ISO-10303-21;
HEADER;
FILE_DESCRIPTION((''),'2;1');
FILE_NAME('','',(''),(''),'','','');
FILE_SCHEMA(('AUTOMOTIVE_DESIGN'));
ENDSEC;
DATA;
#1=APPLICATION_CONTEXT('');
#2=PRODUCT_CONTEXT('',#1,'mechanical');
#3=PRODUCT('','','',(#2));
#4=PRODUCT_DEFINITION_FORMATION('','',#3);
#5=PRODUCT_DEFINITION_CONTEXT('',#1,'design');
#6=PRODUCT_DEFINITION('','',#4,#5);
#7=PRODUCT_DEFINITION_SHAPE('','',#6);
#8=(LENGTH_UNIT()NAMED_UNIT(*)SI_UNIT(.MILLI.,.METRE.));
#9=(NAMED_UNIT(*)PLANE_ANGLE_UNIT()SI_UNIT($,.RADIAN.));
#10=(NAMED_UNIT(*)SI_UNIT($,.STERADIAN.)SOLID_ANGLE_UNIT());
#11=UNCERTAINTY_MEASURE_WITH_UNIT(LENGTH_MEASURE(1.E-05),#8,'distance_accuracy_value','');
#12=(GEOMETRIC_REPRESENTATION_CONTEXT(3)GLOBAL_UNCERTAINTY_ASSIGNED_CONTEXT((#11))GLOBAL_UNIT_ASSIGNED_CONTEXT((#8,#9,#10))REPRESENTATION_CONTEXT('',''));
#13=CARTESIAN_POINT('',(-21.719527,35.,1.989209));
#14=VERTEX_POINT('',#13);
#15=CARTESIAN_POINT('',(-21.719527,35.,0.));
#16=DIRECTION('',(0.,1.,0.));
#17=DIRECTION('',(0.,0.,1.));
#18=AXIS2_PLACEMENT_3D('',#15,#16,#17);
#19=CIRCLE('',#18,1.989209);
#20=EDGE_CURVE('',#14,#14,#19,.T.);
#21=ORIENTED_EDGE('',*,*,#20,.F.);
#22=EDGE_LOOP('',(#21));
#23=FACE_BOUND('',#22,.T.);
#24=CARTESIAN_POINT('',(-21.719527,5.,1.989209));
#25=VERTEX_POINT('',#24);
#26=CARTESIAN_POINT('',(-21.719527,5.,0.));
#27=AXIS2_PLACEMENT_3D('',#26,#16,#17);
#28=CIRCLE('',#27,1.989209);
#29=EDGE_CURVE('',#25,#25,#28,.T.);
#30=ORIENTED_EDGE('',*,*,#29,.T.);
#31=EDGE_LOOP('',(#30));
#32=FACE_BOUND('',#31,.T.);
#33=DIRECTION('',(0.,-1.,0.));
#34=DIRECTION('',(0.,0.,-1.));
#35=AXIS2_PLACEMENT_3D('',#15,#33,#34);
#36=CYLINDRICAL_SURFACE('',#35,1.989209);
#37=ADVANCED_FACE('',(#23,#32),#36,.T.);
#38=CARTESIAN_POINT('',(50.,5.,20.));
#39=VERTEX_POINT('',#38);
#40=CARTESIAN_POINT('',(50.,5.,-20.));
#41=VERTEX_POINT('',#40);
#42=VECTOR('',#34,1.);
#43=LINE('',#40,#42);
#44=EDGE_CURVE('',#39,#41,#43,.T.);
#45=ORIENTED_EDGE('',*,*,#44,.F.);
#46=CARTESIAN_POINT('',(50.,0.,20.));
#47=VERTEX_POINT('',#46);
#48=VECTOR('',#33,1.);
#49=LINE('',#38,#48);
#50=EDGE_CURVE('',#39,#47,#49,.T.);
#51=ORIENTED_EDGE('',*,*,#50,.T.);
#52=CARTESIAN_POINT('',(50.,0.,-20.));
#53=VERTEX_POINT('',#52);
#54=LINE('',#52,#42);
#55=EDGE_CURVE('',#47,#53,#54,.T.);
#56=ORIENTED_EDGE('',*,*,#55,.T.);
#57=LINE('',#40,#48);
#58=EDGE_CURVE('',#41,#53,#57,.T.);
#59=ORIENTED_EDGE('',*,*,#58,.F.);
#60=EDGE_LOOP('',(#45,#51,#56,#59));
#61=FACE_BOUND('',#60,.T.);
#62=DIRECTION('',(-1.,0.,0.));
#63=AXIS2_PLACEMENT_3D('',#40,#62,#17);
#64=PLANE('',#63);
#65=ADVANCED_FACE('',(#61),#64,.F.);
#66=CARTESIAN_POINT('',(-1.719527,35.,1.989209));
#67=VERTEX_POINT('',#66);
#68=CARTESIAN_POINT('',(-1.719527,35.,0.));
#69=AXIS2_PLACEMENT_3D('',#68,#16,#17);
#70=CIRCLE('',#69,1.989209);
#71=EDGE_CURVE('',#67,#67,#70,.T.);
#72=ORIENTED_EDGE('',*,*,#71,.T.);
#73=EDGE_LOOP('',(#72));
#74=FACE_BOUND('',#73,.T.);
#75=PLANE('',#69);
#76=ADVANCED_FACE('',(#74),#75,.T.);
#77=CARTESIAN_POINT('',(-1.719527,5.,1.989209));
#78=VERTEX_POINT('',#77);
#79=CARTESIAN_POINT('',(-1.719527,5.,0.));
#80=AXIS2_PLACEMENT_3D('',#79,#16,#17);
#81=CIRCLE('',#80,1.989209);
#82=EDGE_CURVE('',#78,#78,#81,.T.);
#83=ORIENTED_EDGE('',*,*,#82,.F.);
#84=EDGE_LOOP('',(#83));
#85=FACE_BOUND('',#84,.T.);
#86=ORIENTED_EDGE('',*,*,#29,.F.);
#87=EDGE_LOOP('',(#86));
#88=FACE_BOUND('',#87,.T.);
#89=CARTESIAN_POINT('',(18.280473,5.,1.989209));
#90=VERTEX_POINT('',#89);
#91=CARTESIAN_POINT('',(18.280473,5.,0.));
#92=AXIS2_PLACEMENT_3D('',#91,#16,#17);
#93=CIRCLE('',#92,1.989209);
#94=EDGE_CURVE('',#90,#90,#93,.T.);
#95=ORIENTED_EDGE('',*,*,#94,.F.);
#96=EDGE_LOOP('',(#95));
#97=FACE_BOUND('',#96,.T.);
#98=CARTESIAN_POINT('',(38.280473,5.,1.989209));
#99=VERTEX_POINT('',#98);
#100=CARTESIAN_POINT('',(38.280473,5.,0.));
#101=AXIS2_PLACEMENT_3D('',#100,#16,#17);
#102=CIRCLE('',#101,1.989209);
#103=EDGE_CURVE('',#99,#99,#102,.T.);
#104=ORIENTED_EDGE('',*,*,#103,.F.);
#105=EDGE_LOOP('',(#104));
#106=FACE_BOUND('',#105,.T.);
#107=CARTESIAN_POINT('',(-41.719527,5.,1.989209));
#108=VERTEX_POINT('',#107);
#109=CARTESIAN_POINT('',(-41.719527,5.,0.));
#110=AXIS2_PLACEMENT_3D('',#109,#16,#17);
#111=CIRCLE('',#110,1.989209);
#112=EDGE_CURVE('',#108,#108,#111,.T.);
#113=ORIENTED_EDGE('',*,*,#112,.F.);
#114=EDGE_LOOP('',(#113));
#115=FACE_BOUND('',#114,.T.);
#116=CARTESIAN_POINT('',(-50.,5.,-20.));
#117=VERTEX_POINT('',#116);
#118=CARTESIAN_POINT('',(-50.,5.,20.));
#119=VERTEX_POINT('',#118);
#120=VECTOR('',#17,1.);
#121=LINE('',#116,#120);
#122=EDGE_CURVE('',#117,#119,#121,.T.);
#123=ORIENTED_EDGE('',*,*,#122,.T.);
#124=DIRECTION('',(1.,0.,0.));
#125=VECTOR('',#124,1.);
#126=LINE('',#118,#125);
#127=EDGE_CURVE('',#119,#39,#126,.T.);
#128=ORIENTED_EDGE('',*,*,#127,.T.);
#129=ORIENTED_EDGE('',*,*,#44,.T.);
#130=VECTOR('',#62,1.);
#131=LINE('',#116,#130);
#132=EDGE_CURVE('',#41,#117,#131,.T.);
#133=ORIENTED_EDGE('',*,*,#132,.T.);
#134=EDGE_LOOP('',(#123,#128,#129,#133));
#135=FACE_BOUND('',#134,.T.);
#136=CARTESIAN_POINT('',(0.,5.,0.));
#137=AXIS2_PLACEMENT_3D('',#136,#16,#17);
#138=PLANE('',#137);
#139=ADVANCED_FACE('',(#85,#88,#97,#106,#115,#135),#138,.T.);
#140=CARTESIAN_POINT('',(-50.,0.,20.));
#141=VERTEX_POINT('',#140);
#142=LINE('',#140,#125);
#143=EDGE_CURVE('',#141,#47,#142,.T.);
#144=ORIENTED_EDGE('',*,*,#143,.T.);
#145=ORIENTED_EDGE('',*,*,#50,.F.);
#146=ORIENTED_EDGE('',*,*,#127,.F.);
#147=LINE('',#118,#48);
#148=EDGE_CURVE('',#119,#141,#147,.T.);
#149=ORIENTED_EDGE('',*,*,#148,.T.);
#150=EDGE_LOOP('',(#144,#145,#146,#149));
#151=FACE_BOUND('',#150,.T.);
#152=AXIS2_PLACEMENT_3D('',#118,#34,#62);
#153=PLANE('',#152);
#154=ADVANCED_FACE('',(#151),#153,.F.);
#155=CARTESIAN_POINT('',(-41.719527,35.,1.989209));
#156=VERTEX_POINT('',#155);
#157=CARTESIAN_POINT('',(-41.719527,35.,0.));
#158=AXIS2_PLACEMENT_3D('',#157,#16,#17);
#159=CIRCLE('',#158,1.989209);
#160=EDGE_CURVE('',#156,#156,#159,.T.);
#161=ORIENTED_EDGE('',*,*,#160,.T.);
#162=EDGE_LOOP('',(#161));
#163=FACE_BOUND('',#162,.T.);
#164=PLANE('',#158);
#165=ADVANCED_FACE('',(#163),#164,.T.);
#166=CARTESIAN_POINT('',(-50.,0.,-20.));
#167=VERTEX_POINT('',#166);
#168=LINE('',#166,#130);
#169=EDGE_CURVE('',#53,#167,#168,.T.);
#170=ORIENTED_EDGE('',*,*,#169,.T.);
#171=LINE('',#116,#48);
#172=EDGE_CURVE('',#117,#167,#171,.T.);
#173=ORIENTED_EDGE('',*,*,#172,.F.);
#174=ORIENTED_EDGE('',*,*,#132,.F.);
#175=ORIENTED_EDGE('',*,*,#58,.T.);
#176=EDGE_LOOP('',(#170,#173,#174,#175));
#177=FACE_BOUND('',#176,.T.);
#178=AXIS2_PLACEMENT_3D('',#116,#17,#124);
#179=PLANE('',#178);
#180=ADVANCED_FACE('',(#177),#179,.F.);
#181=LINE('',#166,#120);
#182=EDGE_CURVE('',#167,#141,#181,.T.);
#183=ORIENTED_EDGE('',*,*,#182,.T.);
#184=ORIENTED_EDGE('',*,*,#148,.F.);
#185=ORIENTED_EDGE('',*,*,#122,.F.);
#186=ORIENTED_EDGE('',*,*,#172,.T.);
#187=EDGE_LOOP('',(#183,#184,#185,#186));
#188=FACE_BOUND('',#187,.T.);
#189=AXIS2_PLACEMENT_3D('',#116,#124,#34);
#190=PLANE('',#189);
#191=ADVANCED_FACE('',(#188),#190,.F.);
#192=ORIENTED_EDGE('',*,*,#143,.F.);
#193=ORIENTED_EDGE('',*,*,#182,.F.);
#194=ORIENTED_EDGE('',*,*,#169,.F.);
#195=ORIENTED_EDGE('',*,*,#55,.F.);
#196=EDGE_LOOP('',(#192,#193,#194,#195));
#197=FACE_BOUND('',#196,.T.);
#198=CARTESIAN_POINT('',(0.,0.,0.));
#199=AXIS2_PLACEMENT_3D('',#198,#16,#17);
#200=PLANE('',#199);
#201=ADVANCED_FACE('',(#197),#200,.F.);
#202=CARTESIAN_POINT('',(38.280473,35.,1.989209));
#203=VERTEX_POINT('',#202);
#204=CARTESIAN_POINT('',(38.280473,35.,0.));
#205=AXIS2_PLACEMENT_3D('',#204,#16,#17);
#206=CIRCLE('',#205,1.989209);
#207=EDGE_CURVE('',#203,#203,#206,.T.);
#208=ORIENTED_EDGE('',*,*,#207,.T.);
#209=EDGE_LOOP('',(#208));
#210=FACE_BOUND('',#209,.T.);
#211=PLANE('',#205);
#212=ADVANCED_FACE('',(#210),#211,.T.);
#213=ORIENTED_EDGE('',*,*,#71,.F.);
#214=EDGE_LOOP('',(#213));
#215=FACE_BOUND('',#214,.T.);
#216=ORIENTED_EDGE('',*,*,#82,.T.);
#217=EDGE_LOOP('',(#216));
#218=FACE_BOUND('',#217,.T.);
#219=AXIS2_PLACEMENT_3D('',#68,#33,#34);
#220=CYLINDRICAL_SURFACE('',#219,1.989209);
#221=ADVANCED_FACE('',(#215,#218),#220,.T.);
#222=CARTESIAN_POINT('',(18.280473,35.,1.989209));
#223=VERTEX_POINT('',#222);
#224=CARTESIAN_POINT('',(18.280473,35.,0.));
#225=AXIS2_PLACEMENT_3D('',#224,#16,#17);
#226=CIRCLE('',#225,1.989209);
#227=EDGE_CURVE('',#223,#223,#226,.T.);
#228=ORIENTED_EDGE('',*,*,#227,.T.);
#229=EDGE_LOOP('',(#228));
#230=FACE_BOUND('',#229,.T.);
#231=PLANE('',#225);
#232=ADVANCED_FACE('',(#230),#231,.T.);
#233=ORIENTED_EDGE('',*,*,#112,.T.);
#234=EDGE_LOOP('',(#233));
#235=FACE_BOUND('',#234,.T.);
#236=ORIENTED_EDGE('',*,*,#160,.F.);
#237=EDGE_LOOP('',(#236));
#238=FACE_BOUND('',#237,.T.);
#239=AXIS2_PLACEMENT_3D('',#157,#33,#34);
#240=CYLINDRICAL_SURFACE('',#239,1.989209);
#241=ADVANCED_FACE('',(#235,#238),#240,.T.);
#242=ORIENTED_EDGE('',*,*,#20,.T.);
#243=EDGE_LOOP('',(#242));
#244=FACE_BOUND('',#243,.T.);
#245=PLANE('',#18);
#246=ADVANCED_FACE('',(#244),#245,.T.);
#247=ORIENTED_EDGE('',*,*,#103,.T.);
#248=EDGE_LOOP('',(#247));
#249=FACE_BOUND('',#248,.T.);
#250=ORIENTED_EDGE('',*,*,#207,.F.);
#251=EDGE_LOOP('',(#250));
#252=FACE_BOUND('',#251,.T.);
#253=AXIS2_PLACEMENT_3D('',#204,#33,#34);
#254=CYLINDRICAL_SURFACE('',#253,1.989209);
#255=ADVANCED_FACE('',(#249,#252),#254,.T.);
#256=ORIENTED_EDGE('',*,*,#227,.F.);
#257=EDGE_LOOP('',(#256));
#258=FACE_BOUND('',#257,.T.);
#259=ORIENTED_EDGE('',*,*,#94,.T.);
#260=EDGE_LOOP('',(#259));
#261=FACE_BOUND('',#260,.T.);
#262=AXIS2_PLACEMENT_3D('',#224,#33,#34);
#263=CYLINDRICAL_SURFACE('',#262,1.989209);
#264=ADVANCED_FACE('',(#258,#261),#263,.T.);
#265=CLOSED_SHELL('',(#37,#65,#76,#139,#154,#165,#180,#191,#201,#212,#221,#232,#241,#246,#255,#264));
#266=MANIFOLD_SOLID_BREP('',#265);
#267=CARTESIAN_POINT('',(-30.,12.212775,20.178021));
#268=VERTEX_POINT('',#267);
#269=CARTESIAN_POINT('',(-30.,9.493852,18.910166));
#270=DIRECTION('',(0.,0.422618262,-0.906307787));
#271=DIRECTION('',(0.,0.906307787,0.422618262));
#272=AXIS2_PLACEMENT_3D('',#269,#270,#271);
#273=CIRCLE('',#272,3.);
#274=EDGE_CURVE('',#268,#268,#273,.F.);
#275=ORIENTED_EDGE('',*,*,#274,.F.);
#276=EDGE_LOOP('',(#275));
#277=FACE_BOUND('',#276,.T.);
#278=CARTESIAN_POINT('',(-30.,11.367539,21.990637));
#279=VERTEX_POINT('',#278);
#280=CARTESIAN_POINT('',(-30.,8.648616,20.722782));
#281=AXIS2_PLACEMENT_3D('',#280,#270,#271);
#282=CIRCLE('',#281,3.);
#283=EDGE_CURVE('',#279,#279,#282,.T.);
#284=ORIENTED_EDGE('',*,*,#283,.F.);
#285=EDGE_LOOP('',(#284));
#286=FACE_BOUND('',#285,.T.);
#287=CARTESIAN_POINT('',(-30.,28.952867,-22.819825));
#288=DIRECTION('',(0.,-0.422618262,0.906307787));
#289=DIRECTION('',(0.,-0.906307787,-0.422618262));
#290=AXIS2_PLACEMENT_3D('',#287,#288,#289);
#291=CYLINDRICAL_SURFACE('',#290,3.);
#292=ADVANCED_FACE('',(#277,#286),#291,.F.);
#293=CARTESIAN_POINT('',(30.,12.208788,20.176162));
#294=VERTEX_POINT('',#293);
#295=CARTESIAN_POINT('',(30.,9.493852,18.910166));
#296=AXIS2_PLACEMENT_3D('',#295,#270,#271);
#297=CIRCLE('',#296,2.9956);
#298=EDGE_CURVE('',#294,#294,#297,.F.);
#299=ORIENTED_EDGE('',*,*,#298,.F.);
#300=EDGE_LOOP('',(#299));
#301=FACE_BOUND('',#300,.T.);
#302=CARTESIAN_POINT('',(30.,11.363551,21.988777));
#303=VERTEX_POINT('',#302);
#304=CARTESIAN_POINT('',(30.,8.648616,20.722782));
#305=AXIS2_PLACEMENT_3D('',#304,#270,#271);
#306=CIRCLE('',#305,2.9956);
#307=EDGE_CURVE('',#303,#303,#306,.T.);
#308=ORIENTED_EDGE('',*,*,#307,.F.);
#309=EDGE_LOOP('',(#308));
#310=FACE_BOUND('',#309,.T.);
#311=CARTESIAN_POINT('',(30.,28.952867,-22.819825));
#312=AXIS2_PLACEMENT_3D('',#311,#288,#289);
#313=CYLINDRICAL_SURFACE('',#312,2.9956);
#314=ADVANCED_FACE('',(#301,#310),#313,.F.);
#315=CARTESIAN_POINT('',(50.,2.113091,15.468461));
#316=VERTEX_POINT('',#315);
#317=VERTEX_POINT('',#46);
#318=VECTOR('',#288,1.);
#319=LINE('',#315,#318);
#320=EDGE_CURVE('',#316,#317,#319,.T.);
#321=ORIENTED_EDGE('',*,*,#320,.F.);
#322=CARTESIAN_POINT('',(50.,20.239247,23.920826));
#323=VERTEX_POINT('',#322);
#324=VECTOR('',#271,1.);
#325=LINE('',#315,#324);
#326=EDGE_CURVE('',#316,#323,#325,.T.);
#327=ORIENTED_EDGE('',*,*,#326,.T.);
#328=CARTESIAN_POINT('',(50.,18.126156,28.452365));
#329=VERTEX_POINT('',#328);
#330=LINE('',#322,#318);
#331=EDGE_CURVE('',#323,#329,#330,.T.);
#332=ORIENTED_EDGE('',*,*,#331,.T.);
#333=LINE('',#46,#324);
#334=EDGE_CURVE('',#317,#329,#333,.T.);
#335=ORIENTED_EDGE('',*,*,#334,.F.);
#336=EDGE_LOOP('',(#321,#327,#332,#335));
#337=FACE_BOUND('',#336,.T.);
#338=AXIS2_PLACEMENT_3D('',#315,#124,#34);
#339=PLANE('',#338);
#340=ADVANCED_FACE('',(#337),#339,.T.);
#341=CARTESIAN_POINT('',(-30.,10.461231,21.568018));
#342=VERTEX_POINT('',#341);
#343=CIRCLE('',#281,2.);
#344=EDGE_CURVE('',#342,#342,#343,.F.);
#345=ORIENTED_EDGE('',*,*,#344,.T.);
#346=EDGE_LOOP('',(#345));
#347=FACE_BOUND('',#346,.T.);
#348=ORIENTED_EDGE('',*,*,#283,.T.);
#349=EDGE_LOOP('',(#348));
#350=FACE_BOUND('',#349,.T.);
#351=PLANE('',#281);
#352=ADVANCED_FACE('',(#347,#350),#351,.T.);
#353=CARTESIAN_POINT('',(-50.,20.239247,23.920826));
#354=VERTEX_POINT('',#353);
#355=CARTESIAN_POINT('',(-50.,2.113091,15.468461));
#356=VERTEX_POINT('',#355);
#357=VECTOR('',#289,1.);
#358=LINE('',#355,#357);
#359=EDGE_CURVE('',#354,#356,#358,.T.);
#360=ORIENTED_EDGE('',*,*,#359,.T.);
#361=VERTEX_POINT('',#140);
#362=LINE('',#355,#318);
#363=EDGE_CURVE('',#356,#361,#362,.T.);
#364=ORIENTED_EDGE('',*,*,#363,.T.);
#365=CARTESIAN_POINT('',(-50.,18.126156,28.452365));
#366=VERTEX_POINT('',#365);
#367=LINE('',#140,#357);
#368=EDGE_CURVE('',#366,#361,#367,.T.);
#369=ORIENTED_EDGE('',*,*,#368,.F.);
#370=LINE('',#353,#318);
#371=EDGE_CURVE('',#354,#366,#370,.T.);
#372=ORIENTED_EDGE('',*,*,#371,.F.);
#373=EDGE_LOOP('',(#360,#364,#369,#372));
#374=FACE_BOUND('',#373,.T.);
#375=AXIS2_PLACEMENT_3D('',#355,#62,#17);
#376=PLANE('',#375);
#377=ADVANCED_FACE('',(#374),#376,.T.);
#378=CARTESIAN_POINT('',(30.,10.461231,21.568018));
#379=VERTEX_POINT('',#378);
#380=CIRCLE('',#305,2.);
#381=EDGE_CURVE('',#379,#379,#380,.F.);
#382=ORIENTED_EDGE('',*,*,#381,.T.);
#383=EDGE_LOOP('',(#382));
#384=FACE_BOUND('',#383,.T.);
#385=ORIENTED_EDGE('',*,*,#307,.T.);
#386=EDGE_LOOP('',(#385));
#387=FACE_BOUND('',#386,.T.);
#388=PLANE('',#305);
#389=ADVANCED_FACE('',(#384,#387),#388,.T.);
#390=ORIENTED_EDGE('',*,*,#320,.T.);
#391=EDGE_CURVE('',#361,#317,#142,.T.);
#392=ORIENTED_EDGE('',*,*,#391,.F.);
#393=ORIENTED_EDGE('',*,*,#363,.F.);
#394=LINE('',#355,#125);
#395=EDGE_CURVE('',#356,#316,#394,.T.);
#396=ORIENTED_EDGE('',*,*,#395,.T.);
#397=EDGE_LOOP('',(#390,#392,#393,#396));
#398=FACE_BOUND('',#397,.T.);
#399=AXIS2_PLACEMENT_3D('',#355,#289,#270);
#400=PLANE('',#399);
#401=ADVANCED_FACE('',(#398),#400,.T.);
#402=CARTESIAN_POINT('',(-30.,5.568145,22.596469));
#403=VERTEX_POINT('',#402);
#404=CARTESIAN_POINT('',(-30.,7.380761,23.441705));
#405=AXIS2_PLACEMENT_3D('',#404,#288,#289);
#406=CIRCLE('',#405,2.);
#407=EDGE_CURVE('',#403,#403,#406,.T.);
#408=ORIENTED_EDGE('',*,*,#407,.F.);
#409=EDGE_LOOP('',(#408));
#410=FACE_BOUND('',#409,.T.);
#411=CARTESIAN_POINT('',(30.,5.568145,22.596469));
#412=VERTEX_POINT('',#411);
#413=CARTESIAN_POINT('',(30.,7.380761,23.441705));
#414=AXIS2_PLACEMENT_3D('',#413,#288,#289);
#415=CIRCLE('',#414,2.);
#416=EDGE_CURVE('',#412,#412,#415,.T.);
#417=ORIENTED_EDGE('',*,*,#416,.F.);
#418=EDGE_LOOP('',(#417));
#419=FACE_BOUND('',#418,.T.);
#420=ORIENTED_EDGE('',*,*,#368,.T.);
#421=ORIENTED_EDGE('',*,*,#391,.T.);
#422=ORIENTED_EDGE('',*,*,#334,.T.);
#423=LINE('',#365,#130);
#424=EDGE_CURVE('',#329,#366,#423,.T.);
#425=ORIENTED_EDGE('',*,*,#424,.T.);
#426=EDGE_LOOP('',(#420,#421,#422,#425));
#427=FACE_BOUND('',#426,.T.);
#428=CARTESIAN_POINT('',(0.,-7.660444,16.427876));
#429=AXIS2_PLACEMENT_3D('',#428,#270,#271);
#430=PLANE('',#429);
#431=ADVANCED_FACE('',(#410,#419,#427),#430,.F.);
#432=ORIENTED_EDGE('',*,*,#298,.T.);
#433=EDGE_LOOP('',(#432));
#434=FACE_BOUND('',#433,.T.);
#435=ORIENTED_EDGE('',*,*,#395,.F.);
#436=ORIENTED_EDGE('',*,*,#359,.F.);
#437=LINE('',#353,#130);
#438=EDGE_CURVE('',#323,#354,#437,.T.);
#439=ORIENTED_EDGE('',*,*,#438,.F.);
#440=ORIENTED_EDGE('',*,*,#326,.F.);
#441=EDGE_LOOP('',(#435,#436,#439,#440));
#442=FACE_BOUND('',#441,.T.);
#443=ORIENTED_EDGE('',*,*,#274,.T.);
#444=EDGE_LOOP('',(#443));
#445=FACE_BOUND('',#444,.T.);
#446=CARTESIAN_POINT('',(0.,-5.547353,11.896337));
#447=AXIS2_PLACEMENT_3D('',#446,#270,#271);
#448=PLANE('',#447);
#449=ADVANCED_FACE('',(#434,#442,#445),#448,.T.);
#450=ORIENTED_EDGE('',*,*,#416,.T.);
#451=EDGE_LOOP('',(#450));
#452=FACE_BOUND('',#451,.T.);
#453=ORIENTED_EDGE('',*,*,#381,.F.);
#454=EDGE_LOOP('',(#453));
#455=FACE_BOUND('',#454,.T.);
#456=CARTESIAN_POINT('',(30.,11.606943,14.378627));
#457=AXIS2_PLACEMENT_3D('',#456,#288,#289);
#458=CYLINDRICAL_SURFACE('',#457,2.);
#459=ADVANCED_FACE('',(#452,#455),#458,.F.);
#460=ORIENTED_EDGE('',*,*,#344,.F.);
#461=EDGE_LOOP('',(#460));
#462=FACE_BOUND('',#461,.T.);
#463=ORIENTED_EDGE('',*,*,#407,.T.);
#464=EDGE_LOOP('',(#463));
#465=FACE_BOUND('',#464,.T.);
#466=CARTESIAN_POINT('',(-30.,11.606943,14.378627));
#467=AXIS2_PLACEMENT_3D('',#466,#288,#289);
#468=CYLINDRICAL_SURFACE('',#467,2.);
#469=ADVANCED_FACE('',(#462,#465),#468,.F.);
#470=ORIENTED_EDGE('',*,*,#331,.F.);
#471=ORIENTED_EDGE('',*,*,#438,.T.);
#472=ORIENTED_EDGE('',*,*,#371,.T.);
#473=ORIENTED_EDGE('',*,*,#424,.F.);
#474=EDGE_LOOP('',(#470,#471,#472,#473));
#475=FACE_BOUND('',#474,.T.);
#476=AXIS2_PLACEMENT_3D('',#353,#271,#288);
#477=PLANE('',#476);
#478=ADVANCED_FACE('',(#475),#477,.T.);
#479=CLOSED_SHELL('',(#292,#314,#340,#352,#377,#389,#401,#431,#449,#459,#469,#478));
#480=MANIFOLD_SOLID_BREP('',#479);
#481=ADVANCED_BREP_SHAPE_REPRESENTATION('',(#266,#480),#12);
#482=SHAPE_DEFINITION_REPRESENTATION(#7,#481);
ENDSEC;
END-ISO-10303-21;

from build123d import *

# Parameters (mm, degrees)
ESQUISSE1_W                  = 100
ESQUISSE1_H                  = 40
BOSS_EXTRU_1_DEPTH           = 5
ESQUISSE3_W                  = 100
ESQUISSE3_H                  = 20
BOSS_EXTRU_2_DEPTH           = 5
ESQUISSE4_R                  = 1.989208733
BOSS_EXTRU_3_DEPTH           = 30
ESQUISSE5_R                  = 2
ENL_V_MAT_EXTRU_1_DEPTH      = 10
ENL_V_MAT_EXTRU_2_DEPTH      = 72.843330724
ENL_V_MAT_EXTRU_2_DEPTH_BACK = 2
ESQUISSE6_R                  = 2.995599757
ESQUISSE6_R_2                = 3


with BuildPart() as part:
    # Esquisse1 → Boss.-Extru.1 (new body)
    with BuildSketch(Plane(origin=(0, 0, 0), x_dir=(1, 0, 0), z_dir=(0, 1, 0))):
        Rectangle(ESQUISSE1_W, ESQUISSE1_H)
    extrude(amount=BOSS_EXTRU_1_DEPTH)

    # Esquisse4 → Boss.-Extru.3 (add)
    with BuildSketch(Plane(origin=(0, 5, 0), x_dir=(1, 0, 0), z_dir=(0, 1, 0))):
        with Locations(Location((38.280473345, 0, 0), (0, 0, 270))):
            Circle(ESQUISSE4_R)
        with Locations(Location((18.280473345, 0, 0), (0, 0, 270))):
            Circle(ESQUISSE4_R)
        with Locations(Location((-1.719526655, 0, 0), (0, 0, 270))):
            Circle(ESQUISSE4_R)
        with Locations(Location((-21.719526655, 0, 0), (0, 0, 270))):
            Circle(ESQUISSE4_R)
        with Locations(Location((-41.719526655, 0, 0), (0, 0, 270))):
            Circle(ESQUISSE4_R)
    extrude(amount=BOSS_EXTRU_3_DEPTH)


with BuildPart() as body_2:
    # Esquisse3 → Boss.-Extru.2 (new body)
    with BuildSketch(Plane(origin=(0, -7.660444431, 16.427876097), x_dir=(1, 0, 0), z_dir=(0, -0.4226182617407033, 0.9063077870366482))):
        with Locations((0, 18.452365235)):
            Rectangle(ESQUISSE3_W, ESQUISSE3_H)
    extrude(amount=-BOSS_EXTRU_2_DEPTH)

    # Esquisse5 → Enlèv. mat.-Extru.1 (cut)
    with BuildSketch(Plane(origin=(0, -7.660444431, 16.427876097), x_dir=(1, 0, 0), z_dir=(0, -0.4226182617407035, 0.906307787036648))):
        with Locations(Location((-30, 16.596133741, 0), (0, 0, 270))):
            Circle(ESQUISSE5_R)
        with Locations(Location((30, 16.596133741, 0), (0, 0, 270))):
            Circle(ESQUISSE5_R)
    extrude(amount=-ENL_V_MAT_EXTRU_1_DEPTH, mode=Mode.SUBTRACT)

    # Esquisse6 → Enlèv. mat.-Extru.2 (cut, two sides: drawn at the far end of the back side and taken through both)
    with BuildSketch(Plane(origin=(0, -5.547353122, 11.896337162), x_dir=(-1, 0, 0), z_dir=(0, 0.4226182617407035, -0.906307787036648)).offset(-ENL_V_MAT_EXTRU_2_DEPTH_BACK)):
        with Locations(Location((-30, 16.596133741, 0), (0, 0, 90))):
            Circle(ESQUISSE6_R)
        with Locations(Location((30, 16.596133741, 0), (0, 0, 90))):
            Circle(ESQUISSE6_R_2)
    extrude(amount=ENL_V_MAT_EXTRU_2_DEPTH + ENL_V_MAT_EXTRU_2_DEPTH_BACK, mode=Mode.SUBTRACT)


solid = Compound([part.part, body_2.part])
